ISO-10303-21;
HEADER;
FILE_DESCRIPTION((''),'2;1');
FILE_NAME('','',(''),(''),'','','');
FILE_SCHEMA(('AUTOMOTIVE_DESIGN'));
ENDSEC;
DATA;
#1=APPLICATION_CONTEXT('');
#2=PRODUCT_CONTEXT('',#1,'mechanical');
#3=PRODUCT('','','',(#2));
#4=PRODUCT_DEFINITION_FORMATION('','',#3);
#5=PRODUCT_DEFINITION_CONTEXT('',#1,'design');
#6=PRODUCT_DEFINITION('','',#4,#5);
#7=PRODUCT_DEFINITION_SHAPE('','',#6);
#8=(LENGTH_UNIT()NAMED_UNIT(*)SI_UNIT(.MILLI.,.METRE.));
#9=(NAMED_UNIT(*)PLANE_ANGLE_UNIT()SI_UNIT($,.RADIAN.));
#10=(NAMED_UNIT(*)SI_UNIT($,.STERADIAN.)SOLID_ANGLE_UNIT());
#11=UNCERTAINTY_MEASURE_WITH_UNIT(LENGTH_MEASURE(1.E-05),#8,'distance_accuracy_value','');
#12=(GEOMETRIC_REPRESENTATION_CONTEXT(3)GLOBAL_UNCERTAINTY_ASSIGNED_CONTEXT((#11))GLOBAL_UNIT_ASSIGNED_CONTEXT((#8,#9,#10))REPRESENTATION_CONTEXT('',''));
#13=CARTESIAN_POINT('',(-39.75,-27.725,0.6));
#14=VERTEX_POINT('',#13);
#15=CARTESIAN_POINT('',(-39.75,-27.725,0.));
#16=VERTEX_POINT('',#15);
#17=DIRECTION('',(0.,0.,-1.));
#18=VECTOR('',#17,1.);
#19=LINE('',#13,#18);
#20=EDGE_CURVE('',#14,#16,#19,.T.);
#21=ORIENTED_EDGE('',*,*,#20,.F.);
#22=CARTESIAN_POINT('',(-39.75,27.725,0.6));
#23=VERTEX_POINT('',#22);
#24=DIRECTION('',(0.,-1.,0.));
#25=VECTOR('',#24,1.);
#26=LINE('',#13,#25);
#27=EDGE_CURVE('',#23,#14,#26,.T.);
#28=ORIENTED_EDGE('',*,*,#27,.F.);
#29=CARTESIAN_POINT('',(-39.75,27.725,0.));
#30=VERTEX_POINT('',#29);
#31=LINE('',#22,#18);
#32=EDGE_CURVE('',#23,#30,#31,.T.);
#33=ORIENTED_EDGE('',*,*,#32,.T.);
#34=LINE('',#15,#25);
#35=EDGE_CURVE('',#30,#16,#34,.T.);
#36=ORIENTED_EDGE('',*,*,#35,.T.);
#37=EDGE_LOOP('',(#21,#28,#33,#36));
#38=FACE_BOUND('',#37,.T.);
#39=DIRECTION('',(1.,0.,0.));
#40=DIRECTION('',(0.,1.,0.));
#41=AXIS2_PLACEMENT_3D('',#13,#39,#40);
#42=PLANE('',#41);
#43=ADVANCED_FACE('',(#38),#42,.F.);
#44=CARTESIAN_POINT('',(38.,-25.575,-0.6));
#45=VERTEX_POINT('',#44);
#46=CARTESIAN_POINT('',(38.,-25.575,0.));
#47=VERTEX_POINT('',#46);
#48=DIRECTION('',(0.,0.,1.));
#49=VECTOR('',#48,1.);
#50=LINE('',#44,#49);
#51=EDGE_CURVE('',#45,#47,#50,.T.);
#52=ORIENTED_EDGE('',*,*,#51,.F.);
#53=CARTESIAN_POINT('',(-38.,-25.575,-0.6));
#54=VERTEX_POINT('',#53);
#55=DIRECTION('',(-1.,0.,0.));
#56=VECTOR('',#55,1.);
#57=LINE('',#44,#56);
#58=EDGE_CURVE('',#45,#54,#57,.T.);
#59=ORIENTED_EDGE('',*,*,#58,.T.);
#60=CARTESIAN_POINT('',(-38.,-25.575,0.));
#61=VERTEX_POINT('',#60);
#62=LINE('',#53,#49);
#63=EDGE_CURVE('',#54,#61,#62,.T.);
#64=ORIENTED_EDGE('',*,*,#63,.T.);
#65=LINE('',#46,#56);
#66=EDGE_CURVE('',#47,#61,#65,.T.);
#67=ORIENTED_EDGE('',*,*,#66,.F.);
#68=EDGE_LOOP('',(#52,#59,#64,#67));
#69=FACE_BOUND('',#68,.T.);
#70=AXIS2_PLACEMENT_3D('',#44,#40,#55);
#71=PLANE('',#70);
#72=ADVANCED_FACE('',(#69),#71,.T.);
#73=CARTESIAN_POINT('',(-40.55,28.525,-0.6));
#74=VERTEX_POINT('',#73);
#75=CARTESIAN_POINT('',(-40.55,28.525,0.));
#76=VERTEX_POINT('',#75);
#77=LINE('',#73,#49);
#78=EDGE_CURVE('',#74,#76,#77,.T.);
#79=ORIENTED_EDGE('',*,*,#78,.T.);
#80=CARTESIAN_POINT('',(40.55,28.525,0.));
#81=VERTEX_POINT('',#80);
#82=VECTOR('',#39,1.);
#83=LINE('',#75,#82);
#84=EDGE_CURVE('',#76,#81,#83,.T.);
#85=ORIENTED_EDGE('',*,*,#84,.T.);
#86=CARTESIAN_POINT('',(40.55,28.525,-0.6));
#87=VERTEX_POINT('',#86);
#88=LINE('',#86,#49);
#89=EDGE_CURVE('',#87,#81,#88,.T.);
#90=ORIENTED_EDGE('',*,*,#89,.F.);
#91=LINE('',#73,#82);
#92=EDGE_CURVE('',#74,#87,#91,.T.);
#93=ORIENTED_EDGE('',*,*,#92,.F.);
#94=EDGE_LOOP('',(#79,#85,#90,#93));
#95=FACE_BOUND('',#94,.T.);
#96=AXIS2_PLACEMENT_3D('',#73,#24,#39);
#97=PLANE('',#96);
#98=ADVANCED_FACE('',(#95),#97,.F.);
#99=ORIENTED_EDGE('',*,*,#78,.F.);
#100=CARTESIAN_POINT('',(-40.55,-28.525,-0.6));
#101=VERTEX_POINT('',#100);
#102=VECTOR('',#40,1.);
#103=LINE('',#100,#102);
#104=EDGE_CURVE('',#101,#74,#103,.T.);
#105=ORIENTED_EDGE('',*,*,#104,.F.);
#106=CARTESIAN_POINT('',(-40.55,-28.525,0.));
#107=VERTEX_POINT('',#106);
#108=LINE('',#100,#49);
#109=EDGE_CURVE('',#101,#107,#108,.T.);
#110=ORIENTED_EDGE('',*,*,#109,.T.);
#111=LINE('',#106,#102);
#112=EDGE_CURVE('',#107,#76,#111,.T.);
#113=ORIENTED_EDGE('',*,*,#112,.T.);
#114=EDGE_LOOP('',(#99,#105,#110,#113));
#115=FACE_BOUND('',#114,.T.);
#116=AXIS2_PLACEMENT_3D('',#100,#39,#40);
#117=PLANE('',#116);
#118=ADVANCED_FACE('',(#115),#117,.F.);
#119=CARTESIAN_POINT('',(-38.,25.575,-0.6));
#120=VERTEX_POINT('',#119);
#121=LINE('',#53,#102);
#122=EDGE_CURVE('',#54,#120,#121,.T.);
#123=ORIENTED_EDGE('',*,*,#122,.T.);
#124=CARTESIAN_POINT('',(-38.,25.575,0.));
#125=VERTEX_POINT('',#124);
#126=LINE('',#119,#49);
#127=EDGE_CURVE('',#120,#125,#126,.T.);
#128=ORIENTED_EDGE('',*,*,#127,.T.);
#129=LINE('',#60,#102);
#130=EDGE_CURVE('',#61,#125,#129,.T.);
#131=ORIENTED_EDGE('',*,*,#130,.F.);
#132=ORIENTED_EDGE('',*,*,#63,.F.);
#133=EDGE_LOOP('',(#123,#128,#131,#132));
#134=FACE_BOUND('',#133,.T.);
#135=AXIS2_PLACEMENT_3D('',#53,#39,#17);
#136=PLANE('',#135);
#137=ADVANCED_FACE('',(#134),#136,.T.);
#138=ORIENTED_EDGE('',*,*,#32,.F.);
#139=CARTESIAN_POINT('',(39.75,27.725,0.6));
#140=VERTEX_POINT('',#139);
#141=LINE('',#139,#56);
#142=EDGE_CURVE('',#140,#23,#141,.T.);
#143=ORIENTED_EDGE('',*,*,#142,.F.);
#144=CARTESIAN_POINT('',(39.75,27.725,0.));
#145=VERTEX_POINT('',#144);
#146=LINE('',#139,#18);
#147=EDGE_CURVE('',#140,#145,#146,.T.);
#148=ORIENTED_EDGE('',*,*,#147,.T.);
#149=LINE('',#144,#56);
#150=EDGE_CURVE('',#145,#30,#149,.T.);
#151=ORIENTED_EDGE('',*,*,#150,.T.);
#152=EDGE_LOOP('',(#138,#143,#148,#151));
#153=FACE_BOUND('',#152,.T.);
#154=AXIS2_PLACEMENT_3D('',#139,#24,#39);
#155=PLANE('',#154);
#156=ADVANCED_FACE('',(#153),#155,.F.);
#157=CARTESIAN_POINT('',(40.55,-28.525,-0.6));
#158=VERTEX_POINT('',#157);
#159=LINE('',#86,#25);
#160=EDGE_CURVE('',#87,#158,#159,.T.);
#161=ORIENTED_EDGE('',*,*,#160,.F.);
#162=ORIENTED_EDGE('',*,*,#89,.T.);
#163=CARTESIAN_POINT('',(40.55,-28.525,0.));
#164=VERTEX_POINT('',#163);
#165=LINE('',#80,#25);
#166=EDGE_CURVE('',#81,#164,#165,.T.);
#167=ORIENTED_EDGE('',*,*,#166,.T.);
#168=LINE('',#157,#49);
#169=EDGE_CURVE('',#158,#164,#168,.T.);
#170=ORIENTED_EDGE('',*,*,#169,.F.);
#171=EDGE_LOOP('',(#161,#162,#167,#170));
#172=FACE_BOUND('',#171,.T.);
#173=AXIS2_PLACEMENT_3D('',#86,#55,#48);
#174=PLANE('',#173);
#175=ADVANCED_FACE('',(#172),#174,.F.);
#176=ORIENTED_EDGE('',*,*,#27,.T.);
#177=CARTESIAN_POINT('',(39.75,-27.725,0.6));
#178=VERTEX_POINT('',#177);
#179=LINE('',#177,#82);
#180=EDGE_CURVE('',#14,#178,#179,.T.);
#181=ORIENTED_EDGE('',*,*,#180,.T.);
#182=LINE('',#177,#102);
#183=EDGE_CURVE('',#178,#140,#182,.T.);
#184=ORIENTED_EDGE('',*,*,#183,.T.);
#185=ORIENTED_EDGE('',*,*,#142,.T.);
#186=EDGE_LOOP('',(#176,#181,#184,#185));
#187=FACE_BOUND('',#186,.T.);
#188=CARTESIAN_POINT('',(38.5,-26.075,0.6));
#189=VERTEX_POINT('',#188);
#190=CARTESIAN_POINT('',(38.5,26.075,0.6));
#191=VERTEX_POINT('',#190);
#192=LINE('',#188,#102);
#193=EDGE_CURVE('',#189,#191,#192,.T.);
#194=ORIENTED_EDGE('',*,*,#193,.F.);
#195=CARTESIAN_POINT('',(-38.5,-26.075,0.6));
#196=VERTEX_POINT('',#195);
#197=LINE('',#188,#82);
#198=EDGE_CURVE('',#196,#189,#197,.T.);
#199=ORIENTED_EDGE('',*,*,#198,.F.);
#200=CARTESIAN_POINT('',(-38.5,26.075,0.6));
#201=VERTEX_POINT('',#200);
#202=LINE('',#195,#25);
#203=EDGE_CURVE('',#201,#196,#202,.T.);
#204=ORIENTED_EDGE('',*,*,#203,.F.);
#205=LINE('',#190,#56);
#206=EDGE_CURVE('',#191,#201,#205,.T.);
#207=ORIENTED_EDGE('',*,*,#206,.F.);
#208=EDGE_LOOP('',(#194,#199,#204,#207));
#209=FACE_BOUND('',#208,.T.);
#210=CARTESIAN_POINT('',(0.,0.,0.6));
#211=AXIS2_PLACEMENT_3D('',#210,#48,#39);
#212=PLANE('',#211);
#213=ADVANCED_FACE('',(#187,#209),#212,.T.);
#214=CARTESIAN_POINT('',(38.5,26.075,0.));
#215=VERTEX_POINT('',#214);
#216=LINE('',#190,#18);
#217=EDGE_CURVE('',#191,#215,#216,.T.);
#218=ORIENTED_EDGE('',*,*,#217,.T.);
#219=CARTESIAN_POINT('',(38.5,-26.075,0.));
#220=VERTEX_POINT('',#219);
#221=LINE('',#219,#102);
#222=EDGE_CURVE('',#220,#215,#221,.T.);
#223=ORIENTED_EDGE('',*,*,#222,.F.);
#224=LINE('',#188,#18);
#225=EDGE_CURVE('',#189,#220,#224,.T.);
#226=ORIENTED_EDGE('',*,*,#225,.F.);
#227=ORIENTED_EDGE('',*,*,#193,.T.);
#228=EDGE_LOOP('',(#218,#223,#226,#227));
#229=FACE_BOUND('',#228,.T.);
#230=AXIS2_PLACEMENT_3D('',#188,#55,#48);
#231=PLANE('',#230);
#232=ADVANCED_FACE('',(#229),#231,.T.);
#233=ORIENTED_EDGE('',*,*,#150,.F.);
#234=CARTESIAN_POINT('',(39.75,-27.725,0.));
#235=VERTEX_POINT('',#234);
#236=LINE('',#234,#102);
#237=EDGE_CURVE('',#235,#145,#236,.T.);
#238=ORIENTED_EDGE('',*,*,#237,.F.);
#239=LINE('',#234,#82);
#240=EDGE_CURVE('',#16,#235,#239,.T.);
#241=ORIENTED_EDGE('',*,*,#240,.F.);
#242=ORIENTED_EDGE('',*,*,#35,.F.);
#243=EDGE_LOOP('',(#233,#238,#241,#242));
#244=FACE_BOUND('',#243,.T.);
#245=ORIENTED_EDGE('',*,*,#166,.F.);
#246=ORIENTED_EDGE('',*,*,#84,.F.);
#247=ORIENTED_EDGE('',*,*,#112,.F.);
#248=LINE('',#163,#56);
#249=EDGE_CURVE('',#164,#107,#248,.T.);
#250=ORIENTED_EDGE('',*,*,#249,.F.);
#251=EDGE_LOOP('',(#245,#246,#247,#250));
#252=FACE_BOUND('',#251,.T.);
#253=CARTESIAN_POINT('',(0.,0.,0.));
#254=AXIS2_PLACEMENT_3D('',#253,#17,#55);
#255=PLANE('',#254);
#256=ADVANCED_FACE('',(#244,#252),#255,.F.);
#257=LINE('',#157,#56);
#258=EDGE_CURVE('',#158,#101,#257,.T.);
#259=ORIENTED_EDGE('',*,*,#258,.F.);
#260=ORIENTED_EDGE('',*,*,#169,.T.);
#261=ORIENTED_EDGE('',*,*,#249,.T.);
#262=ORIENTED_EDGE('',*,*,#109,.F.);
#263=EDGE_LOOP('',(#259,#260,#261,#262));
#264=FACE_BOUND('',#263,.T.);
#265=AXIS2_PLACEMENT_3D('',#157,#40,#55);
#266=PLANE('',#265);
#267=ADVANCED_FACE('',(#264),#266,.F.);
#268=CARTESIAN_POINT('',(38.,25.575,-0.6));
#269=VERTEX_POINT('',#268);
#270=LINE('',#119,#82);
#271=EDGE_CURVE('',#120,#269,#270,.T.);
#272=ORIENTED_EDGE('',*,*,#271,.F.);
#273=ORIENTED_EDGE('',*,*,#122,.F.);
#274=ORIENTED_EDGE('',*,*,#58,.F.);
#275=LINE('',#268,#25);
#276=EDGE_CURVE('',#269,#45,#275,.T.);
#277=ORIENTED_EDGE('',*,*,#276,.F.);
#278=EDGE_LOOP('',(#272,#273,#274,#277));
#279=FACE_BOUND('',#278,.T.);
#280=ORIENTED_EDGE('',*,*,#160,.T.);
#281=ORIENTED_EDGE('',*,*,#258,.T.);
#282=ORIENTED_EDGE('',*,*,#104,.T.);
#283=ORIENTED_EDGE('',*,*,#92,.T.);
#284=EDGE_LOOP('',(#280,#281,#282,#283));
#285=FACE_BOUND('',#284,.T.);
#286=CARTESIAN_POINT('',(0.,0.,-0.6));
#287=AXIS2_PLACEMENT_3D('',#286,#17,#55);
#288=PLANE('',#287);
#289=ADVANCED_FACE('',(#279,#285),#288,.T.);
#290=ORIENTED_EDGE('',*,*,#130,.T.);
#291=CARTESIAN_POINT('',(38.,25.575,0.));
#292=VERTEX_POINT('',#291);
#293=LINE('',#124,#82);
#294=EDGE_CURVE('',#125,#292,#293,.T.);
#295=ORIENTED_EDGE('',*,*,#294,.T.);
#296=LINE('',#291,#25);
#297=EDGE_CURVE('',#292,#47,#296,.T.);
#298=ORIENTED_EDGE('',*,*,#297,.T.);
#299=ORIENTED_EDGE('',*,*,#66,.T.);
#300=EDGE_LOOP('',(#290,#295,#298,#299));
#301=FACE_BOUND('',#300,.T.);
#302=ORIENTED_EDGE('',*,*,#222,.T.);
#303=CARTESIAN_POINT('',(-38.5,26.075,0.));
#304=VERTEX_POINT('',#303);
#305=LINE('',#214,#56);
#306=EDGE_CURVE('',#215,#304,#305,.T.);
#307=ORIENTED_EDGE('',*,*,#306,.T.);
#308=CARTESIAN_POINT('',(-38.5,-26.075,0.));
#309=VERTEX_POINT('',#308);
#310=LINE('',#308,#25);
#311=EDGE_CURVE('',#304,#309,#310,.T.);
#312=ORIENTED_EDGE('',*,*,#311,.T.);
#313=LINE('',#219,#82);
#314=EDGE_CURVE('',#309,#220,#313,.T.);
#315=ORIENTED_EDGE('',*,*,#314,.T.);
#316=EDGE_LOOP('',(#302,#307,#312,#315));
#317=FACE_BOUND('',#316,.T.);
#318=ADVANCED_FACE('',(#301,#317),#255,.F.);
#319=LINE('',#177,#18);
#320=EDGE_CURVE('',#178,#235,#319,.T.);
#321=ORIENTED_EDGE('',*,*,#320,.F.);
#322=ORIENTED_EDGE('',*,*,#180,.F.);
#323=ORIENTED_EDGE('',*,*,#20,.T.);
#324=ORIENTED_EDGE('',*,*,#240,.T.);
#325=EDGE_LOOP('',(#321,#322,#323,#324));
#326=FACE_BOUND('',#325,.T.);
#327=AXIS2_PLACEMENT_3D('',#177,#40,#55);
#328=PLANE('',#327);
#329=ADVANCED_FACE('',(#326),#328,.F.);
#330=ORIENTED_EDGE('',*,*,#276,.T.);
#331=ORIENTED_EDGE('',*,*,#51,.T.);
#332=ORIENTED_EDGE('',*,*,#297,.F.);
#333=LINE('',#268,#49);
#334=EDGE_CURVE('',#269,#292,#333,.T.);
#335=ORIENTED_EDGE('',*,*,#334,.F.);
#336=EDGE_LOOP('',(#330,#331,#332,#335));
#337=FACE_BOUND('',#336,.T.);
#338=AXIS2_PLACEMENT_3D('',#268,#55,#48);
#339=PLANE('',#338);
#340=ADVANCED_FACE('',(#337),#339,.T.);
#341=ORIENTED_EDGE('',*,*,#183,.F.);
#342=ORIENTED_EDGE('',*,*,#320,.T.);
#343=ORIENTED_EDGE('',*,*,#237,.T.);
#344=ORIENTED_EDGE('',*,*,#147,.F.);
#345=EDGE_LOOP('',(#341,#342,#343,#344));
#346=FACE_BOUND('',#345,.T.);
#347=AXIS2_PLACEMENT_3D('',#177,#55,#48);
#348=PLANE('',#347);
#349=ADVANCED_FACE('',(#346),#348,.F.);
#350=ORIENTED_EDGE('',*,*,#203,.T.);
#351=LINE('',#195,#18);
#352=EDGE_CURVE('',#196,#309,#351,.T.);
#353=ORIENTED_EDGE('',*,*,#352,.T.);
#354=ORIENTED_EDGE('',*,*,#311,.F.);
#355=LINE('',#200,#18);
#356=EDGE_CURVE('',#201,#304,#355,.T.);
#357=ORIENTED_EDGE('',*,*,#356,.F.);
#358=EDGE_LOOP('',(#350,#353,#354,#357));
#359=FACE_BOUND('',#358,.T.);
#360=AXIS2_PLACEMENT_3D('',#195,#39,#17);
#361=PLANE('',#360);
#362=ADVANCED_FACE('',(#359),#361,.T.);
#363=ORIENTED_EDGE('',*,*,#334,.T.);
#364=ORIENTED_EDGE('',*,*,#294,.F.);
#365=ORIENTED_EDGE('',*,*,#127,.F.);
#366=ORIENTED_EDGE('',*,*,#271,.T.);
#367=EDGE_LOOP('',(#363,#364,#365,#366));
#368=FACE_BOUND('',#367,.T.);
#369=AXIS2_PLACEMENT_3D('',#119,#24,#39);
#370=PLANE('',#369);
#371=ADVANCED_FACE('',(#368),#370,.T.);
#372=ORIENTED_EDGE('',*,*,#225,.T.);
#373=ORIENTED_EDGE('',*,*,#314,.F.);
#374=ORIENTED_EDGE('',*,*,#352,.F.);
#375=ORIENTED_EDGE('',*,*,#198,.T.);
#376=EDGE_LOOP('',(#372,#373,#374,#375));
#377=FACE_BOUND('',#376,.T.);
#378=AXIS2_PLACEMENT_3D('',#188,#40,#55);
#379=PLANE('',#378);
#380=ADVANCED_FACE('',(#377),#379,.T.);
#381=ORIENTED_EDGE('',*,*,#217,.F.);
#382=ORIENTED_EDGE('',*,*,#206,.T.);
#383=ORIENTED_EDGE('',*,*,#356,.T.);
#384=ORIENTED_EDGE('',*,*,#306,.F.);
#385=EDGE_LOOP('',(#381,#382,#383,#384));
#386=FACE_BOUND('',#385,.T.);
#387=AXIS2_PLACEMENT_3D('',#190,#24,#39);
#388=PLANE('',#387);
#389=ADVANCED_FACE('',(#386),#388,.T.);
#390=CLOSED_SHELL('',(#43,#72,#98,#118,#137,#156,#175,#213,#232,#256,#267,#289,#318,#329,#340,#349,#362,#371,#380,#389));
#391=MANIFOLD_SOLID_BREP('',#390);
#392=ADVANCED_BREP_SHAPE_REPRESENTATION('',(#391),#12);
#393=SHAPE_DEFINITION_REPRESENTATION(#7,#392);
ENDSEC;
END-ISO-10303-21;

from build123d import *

# Parameters (mm, degrees)
SKETCH1_W           = 79.5
SKETCH1_H           = 55.45
SKETCH1_W_2         = 77
SKETCH1_H_2         = 52.15
BOSS_EXTRUDE1_DEPTH = 0.6
SKETCH2_W           = 81.1
SKETCH2_H           = 57.05
SKETCH2_W_2         = 76
SKETCH2_H_2         = 51.15
BOSS_EXTRUDE2_DEPTH = 0.6


with BuildPart() as part:
    # Sketch1 → Boss-Extrude1 (new body)
    with BuildSketch(Plane.XY):
        Rectangle(SKETCH1_W, SKETCH1_H)
        Rectangle(SKETCH1_W_2, SKETCH1_H_2, mode=Mode.SUBTRACT)
    extrude(amount=BOSS_EXTRUDE1_DEPTH)

    # Sketch2 → Boss-Extrude2 (add)
    with BuildSketch(Plane(origin=(0, 0, 0), x_dir=(-1, 0, 0), z_dir=(0, 0, -1))):
        Rectangle(SKETCH2_W, SKETCH2_H)
        Rectangle(SKETCH2_W_2, SKETCH2_H_2, mode=Mode.SUBTRACT)
    extrude(amount=BOSS_EXTRUDE2_DEPTH)


solid = part.part
